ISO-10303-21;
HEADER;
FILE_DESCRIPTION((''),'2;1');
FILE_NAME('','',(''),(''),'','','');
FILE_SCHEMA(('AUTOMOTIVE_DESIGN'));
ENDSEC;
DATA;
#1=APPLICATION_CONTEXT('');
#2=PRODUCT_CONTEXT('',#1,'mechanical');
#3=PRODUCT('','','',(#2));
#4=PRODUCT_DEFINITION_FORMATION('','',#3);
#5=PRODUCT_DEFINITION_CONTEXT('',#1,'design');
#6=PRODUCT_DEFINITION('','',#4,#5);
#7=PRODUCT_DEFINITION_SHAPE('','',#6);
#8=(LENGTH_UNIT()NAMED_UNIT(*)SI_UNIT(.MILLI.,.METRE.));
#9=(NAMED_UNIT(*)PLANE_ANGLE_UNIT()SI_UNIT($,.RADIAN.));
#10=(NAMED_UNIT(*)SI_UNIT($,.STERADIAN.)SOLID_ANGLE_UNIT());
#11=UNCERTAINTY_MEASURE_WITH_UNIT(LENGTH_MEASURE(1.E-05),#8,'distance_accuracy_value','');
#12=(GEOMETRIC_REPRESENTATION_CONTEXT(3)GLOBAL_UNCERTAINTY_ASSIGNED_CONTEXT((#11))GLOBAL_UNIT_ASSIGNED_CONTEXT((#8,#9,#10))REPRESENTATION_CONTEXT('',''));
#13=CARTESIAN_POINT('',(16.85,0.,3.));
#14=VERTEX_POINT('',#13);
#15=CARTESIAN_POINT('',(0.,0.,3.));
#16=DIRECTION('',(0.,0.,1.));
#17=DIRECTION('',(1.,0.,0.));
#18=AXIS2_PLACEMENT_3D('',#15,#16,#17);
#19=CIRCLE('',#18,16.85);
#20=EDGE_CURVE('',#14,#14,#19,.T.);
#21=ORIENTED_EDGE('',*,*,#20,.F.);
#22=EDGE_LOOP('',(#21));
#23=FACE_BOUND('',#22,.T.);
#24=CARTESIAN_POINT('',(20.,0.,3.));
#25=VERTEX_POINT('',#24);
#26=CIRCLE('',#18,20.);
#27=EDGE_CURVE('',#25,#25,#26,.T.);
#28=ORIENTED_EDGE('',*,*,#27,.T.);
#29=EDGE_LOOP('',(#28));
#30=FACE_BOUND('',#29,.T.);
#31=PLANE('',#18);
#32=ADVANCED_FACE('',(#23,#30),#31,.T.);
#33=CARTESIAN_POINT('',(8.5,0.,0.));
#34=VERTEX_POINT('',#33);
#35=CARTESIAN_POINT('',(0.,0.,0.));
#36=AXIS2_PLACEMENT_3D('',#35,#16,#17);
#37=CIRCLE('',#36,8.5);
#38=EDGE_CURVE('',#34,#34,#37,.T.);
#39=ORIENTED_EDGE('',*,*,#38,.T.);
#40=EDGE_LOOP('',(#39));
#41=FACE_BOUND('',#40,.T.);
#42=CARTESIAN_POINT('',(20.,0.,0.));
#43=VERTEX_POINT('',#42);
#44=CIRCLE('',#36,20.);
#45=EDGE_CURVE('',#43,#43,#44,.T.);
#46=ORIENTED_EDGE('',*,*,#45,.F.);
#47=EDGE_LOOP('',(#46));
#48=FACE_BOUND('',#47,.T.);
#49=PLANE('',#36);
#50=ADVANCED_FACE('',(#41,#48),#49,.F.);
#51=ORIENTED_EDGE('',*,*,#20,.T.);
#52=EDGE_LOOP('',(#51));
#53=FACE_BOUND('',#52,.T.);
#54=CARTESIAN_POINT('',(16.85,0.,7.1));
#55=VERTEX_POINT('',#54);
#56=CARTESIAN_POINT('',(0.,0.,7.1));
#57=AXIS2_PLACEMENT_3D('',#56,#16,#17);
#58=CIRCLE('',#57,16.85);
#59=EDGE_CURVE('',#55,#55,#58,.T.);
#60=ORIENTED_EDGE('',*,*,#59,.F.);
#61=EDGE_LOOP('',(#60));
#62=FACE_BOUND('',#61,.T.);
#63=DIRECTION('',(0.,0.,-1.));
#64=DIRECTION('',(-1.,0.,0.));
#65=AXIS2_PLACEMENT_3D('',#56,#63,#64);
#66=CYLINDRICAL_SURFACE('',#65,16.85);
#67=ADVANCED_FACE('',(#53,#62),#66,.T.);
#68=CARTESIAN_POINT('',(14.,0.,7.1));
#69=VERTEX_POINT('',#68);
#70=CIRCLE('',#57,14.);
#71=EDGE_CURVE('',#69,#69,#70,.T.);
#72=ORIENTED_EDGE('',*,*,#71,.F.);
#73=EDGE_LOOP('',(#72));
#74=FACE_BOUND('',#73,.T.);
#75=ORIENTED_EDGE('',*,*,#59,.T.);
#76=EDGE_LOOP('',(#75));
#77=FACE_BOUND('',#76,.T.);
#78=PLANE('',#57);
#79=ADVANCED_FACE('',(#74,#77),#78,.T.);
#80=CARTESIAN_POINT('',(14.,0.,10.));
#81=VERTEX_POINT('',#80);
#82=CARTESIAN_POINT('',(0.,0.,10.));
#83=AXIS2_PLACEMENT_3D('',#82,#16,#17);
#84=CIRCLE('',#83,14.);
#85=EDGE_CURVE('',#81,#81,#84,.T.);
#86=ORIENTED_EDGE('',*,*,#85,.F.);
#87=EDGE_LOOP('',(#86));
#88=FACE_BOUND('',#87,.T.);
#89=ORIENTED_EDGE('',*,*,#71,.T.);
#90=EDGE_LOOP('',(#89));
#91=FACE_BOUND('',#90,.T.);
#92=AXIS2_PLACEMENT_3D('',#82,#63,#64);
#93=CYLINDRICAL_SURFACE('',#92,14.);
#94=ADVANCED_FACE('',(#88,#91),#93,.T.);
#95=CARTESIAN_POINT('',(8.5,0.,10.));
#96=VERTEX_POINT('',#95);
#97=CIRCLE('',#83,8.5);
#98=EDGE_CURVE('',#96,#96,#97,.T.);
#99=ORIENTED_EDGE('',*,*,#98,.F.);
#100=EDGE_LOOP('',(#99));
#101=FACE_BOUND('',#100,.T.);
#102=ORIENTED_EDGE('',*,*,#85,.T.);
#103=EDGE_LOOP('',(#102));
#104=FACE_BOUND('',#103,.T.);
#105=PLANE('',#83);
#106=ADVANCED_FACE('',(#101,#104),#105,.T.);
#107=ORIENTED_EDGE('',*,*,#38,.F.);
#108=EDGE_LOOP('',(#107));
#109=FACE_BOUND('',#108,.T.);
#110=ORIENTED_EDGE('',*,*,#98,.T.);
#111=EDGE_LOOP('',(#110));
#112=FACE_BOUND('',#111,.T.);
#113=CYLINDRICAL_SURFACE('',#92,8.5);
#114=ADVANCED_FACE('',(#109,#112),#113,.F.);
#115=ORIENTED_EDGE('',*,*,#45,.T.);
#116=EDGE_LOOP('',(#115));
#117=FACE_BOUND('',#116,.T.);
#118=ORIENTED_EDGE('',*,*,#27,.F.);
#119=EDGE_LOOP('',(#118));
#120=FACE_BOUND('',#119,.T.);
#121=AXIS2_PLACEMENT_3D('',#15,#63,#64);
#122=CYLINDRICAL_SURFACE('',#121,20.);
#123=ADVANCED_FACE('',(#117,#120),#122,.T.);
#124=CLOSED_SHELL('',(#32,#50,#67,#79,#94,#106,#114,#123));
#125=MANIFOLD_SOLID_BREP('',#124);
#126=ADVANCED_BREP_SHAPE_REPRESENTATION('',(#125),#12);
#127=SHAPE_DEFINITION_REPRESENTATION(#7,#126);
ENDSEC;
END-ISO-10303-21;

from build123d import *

# Parameters (mm, degrees)
SKETCH_1_R      = 20
SKETCH_1_R_2    = 16.85
EXTRUDE_1_DEPTH = 3
SKETCH_1_3_R    = 16.85
SKETCH_1_3_R_2  = 14
EXTRUDE_2_DEPTH = 7.1
SKETCH_1_4_R    = 14
SKETCH_1_4_R_2  = 8.5
EXTRUDE_3_DEPTH = 10


with BuildPart() as part:
    # 草图1 → 凸台-拉伸1 (new body)
    with BuildSketch(Plane.XY):
        Circle(SKETCH_1_R)
        Circle(SKETCH_1_R_2, mode=Mode.SUBTRACT)
    extrude(amount=EXTRUDE_1_DEPTH)

    # 草图1<3> → 凸台-拉伸2 (add)
    with BuildSketch(Plane.XY):
        Circle(SKETCH_1_3_R)
        Circle(SKETCH_1_3_R_2, mode=Mode.SUBTRACT)
    extrude(amount=EXTRUDE_2_DEPTH)

    # 草图1<4> → 凸台-拉伸3 (add)
    with BuildSketch(Plane.XY):
        Circle(SKETCH_1_4_R)
        Circle(SKETCH_1_4_R_2, mode=Mode.SUBTRACT)
    extrude(amount=EXTRUDE_3_DEPTH)


solid = part.part
